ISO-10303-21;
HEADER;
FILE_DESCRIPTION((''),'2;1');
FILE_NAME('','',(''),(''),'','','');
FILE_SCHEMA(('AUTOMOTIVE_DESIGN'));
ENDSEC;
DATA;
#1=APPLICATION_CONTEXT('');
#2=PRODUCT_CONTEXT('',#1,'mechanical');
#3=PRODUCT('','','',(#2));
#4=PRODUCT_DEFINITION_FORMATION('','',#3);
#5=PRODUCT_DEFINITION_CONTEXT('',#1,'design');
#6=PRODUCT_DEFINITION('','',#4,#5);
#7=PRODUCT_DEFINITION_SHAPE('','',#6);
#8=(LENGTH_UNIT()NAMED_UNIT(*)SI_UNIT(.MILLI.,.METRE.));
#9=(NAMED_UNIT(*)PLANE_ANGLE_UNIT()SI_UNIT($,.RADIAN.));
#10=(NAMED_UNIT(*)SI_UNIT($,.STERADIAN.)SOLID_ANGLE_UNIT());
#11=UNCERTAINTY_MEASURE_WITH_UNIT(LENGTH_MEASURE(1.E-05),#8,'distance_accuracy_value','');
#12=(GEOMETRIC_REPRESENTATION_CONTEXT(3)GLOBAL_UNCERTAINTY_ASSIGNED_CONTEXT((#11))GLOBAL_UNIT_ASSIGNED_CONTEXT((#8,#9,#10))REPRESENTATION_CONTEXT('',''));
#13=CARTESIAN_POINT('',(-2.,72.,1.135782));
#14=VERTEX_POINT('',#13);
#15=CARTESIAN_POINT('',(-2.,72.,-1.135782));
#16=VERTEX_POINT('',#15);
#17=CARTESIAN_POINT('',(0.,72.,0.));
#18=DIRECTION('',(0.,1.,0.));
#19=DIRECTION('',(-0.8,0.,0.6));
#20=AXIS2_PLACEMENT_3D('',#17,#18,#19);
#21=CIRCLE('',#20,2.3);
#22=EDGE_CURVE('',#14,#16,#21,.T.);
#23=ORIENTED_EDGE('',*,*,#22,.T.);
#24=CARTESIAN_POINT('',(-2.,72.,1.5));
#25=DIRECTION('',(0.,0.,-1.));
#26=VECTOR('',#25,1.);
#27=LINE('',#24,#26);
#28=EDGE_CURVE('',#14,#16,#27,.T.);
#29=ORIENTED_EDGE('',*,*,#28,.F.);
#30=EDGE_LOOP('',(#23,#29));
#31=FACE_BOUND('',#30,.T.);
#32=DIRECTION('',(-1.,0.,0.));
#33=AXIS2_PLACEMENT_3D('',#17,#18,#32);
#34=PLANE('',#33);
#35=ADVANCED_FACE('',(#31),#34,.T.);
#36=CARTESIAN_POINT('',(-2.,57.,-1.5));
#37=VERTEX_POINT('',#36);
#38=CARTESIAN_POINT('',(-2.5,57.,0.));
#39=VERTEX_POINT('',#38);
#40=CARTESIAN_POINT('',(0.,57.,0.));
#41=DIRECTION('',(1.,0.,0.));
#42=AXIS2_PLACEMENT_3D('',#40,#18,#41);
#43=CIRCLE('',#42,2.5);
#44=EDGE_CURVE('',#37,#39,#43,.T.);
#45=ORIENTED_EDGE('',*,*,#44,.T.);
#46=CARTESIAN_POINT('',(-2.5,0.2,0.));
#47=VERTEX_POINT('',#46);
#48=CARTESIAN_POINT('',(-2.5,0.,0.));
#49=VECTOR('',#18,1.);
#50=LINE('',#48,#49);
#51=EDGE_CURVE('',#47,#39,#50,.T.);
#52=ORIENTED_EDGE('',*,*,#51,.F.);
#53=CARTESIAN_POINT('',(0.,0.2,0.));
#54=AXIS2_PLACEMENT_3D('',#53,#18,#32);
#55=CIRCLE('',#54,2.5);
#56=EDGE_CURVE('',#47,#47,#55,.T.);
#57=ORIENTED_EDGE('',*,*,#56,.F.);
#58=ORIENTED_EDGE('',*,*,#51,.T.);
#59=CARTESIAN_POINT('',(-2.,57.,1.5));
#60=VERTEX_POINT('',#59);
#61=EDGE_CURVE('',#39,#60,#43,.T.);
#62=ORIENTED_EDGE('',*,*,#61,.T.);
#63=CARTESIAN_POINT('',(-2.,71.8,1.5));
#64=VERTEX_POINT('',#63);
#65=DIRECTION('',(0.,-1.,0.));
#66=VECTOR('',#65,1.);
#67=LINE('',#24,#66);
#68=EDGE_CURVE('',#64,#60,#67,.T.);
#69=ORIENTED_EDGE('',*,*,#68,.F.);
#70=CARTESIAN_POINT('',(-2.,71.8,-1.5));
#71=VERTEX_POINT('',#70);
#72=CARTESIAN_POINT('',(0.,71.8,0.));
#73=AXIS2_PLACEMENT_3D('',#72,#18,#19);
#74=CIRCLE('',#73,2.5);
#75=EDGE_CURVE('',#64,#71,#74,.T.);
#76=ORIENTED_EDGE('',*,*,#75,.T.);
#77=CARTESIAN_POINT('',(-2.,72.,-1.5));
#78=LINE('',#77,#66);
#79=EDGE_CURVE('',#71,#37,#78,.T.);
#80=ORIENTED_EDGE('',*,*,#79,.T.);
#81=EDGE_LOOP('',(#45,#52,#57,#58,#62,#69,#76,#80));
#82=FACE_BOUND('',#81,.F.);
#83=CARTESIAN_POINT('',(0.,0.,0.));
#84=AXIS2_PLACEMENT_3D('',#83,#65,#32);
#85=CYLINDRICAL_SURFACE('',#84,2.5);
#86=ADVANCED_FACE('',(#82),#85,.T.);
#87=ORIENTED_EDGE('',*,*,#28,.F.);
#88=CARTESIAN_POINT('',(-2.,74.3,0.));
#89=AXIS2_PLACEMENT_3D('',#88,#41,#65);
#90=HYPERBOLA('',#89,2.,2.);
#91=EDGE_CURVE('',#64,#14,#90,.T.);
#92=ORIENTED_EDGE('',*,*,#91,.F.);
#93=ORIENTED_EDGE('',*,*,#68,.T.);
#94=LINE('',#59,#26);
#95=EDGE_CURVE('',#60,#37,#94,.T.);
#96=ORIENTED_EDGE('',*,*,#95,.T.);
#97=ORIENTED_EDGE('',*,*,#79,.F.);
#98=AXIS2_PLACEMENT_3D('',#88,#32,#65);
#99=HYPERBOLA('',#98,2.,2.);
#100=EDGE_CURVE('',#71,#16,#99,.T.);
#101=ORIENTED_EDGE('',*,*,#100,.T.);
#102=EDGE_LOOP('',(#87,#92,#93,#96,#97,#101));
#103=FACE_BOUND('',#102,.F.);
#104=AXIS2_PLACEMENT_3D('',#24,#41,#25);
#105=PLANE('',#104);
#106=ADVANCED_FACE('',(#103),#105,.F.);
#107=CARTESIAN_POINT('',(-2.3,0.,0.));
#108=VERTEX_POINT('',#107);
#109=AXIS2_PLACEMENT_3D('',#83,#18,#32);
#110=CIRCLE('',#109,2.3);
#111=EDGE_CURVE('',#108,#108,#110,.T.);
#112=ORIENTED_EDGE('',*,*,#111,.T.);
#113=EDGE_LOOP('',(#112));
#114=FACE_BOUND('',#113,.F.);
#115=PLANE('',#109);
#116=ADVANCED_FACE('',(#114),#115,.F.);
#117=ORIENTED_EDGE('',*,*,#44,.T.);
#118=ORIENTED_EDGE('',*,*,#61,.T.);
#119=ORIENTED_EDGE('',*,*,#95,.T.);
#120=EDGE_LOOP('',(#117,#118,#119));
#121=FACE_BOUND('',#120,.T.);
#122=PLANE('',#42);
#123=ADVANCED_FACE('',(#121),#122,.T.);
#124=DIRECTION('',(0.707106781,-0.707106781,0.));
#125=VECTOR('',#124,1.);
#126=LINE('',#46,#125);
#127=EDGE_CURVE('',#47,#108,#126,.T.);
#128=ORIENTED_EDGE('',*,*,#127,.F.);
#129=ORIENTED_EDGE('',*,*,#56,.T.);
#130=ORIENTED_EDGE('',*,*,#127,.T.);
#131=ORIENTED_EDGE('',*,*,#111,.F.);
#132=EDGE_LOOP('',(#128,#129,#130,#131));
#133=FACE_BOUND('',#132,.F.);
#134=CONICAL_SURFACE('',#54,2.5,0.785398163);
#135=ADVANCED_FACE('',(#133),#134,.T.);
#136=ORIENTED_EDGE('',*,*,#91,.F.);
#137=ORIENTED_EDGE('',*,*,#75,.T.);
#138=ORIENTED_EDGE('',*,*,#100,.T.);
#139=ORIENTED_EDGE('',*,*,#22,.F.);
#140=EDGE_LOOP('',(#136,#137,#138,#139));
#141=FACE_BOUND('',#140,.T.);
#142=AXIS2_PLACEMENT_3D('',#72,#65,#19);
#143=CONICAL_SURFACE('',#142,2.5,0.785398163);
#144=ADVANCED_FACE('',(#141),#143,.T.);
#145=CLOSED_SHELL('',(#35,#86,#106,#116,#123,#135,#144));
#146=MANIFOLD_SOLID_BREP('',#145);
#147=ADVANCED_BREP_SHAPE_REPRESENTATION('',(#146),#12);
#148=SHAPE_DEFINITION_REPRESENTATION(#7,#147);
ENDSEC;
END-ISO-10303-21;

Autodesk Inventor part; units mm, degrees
ref_plane "YZ Plane" through (0, 0, 0) normal (1, 0, 0) x (0, 1, 0)
ref_plane "XZ Plane" through (0, 0, 0) normal (0, 1, 0) x (-1, 0, 0)
ref_plane "XY Plane" through (0, 0, 0) normal (0, 0, 1) x (1, 0, 0)
sketch "Sketch1" plane through (0, 0, 0) normal (0, 1, 0) x (-1, 0, 0)
  circle A0 centre (0, 0) radius 2.5
  dimension "d0" = 5
extrude "Extrusion1" add sketch "Sketch1" along normal blind 72
sketch "Sketch2" plane through (0, 72, 0) normal (0, 1, 0) x (1, 0, 0)
  circle A0 centre (0, 0) radius 2.5 projected
  line L0 (-2, -1.5) -> (-2, 1.5)
  dimension "d3" = 2
extrude "Extrusion2" cut sketch "Sketch2" against normal blind 15 contours L0 A0 picked at (-2.0912, -0.3466)
chamfer "Chamfer1" distance 0.2 angle 45 1 edges at (2.5, 72, 0)
chamfer "Chamfer2" distance 0.2 angle 45 1 edges at (2.5, 0, 0)
properties part number "Stepper Shaft"
